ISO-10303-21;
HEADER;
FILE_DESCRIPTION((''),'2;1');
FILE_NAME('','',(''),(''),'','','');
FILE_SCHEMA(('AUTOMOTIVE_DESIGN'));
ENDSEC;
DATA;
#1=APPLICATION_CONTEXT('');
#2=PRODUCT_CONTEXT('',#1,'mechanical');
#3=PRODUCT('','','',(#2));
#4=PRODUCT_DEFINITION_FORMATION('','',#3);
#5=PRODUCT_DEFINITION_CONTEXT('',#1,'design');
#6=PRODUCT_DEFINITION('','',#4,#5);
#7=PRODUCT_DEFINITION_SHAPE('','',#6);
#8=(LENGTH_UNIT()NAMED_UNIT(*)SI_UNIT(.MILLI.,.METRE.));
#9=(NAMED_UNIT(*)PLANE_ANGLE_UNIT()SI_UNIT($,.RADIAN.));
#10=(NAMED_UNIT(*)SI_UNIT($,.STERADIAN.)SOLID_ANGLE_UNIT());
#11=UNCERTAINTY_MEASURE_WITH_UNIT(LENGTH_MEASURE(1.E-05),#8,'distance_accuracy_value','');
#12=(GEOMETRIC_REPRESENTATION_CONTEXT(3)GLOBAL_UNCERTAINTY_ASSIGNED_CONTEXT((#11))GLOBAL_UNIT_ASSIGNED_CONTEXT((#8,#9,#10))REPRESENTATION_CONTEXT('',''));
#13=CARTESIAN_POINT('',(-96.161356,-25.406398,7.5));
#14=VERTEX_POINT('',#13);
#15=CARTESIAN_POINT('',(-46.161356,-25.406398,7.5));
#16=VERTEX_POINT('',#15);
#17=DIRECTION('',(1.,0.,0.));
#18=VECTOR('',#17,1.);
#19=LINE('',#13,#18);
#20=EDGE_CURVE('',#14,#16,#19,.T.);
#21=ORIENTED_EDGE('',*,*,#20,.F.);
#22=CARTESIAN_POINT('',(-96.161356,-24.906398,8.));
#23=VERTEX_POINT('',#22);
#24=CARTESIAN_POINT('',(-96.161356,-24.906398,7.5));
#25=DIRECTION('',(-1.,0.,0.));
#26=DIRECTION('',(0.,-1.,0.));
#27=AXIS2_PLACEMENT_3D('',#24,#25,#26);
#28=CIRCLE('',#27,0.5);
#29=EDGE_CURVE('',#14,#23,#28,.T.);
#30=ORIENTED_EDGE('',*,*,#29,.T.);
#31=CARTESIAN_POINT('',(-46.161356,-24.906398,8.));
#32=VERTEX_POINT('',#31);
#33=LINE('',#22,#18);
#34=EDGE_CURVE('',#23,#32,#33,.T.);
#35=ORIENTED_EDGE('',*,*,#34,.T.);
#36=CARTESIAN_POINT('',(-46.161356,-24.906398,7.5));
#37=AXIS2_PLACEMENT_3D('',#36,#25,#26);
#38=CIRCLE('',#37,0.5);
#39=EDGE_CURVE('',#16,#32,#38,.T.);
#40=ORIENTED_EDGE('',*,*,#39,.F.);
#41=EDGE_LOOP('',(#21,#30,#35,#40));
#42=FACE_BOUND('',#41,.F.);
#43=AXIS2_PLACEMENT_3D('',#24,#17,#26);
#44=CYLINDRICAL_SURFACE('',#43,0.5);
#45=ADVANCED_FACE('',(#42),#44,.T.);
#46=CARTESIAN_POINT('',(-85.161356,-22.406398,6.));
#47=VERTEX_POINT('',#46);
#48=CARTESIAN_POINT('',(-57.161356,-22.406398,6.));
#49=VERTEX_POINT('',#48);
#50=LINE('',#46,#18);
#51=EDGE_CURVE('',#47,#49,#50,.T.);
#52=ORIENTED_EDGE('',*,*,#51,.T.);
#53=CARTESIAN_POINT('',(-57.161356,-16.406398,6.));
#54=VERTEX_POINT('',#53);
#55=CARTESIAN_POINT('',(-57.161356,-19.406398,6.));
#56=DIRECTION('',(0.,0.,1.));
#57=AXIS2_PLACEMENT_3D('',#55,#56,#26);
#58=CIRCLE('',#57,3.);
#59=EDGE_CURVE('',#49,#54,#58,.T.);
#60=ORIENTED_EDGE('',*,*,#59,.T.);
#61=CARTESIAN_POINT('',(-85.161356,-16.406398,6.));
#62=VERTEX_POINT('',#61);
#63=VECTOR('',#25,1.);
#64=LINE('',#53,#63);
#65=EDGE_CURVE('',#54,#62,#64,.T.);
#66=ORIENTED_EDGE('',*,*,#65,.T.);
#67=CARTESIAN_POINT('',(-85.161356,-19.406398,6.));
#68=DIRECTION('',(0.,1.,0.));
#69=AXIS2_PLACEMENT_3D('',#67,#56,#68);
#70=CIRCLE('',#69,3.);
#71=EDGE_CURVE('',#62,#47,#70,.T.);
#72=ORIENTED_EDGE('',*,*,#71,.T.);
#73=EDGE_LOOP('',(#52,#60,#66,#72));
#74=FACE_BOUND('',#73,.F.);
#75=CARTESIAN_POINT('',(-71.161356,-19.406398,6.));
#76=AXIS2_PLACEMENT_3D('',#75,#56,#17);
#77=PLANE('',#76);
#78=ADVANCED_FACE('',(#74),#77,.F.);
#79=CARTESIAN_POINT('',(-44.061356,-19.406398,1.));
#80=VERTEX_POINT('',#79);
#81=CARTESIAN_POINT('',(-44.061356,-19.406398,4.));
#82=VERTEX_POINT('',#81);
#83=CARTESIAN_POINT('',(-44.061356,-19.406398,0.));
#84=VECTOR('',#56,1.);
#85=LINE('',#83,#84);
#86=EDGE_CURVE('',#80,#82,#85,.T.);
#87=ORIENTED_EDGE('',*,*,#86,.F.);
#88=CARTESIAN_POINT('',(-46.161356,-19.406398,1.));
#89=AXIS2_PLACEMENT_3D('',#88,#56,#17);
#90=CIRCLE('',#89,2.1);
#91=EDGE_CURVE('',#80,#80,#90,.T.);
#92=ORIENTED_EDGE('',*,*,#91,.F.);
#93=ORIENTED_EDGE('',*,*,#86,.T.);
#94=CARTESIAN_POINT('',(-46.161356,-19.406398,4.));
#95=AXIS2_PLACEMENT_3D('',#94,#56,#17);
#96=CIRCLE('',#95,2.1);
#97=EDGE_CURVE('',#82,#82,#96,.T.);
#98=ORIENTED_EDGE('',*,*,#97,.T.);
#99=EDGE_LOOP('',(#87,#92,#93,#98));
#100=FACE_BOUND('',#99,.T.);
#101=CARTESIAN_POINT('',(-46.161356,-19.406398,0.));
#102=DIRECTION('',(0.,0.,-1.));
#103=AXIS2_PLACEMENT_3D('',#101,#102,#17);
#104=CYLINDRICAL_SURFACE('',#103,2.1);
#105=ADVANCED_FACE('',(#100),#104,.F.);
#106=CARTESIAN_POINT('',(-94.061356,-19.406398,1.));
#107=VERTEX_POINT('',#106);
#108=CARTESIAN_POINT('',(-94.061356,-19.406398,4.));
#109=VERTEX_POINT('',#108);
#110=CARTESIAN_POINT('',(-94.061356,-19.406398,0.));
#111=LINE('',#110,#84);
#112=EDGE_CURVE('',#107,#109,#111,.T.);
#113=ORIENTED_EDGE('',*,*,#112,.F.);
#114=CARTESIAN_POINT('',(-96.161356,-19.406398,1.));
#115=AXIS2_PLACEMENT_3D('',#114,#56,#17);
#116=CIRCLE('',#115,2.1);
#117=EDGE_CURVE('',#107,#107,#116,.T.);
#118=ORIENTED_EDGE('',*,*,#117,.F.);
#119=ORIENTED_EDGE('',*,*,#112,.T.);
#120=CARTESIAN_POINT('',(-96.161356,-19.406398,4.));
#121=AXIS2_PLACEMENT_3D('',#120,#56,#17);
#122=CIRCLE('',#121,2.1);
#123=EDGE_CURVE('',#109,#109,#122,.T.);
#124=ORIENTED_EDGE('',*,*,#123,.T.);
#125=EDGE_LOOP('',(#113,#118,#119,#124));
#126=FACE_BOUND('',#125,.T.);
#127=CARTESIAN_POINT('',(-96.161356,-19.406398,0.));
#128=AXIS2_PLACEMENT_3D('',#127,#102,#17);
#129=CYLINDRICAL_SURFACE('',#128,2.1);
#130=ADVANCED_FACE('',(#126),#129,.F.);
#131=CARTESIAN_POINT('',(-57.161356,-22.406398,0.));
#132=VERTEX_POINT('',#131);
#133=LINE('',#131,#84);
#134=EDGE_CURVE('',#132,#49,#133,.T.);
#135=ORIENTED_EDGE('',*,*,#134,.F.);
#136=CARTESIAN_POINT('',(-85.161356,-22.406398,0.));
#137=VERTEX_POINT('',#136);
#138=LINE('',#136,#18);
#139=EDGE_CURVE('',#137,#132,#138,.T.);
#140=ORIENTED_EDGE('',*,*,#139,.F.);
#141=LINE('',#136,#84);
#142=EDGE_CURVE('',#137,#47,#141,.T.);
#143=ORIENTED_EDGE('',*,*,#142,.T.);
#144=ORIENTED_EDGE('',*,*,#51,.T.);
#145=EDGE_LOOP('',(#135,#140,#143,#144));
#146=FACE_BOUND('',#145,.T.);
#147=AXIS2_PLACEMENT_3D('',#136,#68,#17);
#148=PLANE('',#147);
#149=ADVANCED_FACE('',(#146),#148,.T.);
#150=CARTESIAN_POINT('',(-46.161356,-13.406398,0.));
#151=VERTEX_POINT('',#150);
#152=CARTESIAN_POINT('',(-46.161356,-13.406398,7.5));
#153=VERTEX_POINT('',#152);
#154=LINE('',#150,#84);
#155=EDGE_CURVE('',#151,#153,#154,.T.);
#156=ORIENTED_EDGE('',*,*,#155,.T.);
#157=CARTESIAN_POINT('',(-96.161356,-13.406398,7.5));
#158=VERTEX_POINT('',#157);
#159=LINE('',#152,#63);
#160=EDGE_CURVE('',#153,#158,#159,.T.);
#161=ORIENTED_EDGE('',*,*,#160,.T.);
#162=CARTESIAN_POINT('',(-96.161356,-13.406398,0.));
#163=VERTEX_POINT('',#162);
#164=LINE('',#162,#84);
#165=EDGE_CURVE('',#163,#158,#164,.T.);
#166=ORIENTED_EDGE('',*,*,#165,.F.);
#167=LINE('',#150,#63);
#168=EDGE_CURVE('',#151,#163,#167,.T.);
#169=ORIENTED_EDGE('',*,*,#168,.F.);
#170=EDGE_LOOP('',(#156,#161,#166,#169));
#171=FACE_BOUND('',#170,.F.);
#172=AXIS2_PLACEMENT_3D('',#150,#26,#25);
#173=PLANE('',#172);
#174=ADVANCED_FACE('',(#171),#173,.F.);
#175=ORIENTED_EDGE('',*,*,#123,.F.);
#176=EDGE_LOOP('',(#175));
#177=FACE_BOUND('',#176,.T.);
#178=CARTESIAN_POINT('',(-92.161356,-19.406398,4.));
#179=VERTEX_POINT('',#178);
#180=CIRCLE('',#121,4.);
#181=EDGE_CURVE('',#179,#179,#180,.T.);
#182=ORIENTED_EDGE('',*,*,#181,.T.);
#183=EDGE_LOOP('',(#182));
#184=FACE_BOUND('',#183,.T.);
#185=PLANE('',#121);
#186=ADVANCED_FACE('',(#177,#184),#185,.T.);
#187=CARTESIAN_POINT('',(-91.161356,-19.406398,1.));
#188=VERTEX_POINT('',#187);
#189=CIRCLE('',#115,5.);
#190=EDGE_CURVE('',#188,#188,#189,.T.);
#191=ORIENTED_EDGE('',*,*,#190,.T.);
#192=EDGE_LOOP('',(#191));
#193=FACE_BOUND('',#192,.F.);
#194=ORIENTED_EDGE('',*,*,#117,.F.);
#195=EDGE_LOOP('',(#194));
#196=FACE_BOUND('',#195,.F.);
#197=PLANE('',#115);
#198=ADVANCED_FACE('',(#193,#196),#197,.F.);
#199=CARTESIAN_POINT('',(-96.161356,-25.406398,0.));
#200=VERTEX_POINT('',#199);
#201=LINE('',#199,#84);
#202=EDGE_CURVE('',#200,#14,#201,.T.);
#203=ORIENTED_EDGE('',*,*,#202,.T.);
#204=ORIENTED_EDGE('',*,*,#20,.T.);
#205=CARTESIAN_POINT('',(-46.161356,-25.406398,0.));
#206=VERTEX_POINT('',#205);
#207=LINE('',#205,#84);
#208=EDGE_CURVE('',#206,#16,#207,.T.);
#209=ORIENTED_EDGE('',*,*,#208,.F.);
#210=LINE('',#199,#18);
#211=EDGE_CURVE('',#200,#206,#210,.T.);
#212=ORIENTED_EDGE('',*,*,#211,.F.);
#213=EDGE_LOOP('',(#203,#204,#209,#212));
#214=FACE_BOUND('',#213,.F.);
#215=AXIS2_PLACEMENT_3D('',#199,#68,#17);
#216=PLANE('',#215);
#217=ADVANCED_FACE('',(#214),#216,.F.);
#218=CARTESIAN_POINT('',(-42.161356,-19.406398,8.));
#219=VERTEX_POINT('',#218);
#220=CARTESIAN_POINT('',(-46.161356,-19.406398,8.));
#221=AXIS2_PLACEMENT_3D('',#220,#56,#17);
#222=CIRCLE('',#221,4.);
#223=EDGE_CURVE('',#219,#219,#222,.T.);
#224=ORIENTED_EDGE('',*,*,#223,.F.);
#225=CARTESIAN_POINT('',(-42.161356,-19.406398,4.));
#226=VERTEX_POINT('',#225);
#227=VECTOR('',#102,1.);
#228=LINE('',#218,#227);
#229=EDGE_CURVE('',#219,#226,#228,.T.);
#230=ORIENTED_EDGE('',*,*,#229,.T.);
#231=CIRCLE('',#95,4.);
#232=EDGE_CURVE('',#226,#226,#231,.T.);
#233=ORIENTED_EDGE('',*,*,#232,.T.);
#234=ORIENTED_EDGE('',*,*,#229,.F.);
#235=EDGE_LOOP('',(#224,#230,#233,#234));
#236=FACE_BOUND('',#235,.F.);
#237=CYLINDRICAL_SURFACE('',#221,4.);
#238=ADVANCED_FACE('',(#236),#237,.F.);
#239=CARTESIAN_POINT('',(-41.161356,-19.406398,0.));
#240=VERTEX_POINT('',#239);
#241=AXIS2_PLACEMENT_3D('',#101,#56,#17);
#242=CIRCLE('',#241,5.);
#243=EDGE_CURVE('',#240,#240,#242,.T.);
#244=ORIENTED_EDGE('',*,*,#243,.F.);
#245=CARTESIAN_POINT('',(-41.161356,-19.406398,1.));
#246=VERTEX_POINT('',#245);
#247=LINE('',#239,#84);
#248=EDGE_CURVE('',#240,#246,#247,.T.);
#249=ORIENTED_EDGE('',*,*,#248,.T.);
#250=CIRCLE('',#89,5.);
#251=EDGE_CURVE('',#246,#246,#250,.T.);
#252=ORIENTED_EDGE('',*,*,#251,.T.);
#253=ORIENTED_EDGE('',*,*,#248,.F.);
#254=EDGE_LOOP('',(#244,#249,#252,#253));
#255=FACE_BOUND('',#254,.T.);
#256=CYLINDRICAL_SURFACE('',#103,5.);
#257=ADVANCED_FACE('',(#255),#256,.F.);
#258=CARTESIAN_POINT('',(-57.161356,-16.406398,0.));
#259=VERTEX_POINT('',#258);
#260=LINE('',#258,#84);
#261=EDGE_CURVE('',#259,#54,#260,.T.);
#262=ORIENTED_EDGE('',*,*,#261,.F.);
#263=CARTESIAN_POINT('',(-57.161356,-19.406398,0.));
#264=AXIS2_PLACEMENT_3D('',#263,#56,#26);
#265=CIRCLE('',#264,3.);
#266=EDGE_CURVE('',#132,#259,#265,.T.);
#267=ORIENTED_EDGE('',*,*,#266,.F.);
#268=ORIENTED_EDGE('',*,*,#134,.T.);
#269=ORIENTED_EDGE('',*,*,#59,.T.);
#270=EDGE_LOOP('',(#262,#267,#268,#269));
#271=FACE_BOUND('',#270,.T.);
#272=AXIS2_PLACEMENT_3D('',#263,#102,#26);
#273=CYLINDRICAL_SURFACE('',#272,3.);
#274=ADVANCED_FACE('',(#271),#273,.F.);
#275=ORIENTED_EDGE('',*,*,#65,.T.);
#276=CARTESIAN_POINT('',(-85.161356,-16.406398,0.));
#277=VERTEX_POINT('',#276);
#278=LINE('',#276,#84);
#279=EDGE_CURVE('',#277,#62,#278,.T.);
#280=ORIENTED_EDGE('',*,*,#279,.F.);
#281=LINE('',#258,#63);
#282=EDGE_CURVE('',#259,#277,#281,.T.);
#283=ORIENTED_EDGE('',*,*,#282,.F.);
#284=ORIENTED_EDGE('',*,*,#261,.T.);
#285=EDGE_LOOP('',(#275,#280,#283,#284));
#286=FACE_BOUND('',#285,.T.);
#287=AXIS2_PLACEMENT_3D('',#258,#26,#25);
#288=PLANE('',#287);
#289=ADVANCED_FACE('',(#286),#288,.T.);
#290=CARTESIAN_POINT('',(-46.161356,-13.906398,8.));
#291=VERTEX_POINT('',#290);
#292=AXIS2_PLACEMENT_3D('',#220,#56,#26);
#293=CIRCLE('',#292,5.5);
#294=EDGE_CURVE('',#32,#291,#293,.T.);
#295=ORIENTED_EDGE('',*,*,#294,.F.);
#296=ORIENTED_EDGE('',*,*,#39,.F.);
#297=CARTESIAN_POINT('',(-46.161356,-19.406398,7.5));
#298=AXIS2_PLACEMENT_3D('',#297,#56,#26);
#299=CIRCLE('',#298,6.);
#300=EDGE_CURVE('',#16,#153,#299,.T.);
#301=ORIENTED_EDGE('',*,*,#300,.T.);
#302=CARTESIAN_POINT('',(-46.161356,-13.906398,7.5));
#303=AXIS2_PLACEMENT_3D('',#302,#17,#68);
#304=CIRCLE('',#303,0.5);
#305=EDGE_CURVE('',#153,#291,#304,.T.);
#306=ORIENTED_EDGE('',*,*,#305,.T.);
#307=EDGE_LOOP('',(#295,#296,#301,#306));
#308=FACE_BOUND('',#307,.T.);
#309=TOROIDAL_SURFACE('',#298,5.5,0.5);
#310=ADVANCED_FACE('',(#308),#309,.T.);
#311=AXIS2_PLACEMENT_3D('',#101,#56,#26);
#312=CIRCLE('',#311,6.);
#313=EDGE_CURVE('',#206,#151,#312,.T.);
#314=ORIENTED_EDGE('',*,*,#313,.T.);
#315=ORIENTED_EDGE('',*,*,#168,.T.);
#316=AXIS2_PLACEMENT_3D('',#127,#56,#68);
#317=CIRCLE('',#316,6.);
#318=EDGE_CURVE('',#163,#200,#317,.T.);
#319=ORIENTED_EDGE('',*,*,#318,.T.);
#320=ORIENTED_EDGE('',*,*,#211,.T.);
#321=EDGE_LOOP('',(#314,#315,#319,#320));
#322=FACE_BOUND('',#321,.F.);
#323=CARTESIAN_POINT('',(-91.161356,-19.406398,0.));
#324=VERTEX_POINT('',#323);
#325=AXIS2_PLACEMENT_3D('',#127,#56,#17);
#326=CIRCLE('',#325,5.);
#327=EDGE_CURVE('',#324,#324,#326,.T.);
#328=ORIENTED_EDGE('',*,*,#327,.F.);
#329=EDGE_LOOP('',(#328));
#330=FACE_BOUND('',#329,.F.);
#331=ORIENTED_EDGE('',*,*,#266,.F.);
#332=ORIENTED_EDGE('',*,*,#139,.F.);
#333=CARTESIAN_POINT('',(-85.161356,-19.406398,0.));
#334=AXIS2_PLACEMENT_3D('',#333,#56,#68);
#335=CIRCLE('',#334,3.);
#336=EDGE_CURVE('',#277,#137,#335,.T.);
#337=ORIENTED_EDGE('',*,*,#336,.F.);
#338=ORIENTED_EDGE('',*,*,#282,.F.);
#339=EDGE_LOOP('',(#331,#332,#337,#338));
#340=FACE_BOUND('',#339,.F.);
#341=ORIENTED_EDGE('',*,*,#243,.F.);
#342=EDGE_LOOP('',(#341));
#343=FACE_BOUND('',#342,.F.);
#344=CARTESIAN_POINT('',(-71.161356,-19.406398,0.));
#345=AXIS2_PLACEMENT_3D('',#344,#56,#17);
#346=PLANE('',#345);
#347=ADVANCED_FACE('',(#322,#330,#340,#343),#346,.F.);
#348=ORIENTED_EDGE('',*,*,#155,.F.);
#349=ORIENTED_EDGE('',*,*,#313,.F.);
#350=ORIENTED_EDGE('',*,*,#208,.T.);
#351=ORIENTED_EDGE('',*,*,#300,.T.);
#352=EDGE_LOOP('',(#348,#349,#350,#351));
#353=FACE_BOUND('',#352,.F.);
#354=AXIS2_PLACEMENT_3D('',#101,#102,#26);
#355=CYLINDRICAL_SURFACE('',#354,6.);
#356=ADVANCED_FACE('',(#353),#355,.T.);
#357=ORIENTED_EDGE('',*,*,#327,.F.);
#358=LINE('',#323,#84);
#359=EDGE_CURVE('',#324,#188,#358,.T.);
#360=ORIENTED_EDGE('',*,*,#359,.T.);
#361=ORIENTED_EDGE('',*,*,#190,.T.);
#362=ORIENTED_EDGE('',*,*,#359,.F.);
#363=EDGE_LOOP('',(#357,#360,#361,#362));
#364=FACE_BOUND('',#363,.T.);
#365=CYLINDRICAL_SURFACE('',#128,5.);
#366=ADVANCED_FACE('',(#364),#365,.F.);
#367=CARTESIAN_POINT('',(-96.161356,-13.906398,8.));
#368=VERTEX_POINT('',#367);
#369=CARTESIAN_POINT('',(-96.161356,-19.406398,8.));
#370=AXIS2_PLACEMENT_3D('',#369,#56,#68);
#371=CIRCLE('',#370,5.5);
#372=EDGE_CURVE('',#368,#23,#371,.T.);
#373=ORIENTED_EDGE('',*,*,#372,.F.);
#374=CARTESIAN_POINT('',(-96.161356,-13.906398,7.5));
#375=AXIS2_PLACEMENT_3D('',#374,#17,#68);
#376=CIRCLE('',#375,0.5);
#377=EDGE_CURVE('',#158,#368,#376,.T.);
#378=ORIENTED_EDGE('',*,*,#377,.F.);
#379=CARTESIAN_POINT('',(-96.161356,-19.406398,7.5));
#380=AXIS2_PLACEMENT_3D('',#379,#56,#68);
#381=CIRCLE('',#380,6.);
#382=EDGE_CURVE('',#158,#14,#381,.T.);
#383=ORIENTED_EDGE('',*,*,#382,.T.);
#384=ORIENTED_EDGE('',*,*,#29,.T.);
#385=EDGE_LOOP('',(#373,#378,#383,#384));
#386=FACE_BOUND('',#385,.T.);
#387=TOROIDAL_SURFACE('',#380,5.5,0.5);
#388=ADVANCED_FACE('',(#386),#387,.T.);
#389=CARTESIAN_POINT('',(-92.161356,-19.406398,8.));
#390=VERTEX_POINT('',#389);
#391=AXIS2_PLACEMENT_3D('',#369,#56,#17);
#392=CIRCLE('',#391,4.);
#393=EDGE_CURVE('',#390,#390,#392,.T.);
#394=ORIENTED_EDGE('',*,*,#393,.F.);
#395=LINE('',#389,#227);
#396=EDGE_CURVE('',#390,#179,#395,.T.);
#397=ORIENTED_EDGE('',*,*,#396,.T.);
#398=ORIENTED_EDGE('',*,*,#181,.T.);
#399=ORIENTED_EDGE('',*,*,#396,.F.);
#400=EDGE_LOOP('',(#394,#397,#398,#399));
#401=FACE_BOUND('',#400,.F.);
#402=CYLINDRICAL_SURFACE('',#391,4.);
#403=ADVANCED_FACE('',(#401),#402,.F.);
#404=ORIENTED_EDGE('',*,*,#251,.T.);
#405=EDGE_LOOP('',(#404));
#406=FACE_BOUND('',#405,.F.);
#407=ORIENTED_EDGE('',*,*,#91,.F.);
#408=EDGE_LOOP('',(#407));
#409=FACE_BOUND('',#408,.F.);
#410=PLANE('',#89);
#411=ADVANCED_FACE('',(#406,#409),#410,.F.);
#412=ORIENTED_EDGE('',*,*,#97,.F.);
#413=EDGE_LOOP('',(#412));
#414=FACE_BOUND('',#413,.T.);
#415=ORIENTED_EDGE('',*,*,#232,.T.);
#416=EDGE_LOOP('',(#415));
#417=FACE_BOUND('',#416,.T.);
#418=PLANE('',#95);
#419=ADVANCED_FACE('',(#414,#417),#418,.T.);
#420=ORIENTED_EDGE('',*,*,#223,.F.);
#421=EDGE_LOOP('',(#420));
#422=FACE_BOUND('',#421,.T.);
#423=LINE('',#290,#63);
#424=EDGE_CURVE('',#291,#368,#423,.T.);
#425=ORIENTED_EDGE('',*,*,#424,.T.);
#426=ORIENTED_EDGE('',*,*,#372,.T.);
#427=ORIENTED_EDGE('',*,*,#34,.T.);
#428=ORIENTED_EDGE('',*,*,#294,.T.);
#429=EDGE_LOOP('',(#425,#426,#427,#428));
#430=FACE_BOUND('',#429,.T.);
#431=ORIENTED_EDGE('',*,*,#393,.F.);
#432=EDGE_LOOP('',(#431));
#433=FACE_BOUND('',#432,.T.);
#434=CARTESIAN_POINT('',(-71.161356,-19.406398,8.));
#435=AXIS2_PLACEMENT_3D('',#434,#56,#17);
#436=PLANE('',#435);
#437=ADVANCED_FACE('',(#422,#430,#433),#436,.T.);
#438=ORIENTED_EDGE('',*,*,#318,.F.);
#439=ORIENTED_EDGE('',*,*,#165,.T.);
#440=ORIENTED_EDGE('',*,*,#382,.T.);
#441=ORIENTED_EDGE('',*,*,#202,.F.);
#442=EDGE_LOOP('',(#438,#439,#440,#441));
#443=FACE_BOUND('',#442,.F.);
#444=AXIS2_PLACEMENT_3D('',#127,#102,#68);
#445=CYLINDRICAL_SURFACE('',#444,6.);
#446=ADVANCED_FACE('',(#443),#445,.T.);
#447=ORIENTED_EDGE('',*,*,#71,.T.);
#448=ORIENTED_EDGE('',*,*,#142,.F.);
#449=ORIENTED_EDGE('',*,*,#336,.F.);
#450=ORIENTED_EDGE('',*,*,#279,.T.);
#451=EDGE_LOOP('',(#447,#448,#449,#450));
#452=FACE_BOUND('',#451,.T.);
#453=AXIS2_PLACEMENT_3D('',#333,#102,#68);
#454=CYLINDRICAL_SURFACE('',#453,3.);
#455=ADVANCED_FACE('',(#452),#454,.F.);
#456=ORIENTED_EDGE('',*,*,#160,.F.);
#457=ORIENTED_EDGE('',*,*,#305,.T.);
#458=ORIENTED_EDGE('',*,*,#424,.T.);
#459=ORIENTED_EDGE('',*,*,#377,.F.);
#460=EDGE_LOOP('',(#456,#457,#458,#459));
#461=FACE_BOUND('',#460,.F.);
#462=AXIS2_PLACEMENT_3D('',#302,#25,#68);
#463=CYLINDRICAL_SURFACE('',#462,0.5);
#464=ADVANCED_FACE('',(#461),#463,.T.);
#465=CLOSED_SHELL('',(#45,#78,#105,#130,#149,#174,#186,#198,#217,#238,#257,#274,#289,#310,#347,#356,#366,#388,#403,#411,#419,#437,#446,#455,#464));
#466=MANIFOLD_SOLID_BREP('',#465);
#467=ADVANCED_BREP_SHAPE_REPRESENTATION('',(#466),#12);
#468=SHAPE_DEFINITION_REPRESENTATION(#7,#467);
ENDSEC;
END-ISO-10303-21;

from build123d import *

# Parameters (mm, degrees)
F0_R     = 5
F0_R_2   = 4
F0_R_3   = 2.1
F1_DEPTH = 8
F2_DEPTH = 25
F3_R     = 4
F3_R_2   = 2.1
F4_DEPTH = 4
F5_DEPTH = 6
F6_DEPTH = 1
F7_R     = 0.5


with BuildPart() as f1:
    # F0 (on Top) → F1 (new body)
    with BuildSketch(Plane.XY):
        with BuildLine():
            ThreePointArc((-96.161356, -13.406398), (-102.161356, -19.406398), (-96.161356, -25.406398))
            Line((-96.161356, -25.406398), (-46.161356, -25.406398))
            ThreePointArc((-46.161356, -25.406398), (-40.161356, -19.406398), (-46.161356, -13.406398))
            Line((-46.161356, -13.406398), (-96.161356, -13.406398))
        make_face()
        with BuildLine():
            Line((-96.161356, -13.906398), (-46.161356, -13.906398))
            ThreePointArc((-46.161356, -13.906398), (-40.661356, -19.406398), (-46.161356, -24.906398))
            Line((-46.161356, -24.906398), (-96.161356, -24.906398))
            ThreePointArc((-96.161356, -24.906398), (-101.661356, -19.406398), (-96.161356, -13.906398))
        make_face(mode=Mode.SUBTRACT)
        with BuildLine():
            ThreePointArc((-46.161356, -24.906398), (-40.661356, -19.406398), (-46.161356, -13.906398))
            Line((-46.161356, -13.906398), (-96.161356, -13.906398))
            ThreePointArc((-96.161356, -13.906398), (-101.661356, -19.406398), (-96.161356, -24.906398))
            Line((-96.161356, -24.906398), (-46.161356, -24.906398))
        make_face()
        with Locations((-96.161356, -19.406398)):
            Circle(F0_R, mode=Mode.SUBTRACT)
        with BuildLine():
            ThreePointArc((-85.161356, -22.406398), (-88.161356, -19.406398), (-85.161356, -16.406398))
            Line((-85.161356, -16.406398), (-57.161356, -16.406398))
            ThreePointArc((-57.161356, -16.406398), (-54.161356, -19.406398), (-57.161356, -22.406398))
            Line((-57.161356, -22.406398), (-85.161356, -22.406398))
        make_face(mode=Mode.SUBTRACT)
        with Locations((-46.161356, -19.406398)):
            Circle(F0_R, mode=Mode.SUBTRACT)
        with Locations((-96.161356, -19.406398)):
            Circle(F0_R)
        with Locations((-96.161356, -19.406398)):
            Circle(F0_R_2, mode=Mode.SUBTRACT)
        with Locations((-96.161356, -19.406398)):
            Circle(F0_R_2)
        with Locations((-96.161356, -19.406398)):
            Circle(F0_R_3, mode=Mode.SUBTRACT)
        with Locations((-96.161356, -19.406398)):
            Circle(F0_R_3)
        with BuildLine():
            Line((-57.161356, -16.406398), (-85.161356, -16.406398))
            ThreePointArc((-85.161356, -16.406398), (-88.161356, -19.406398), (-85.161356, -22.406398))
            Line((-85.161356, -22.406398), (-57.161356, -22.406398))
            ThreePointArc((-57.161356, -22.406398), (-54.161356, -19.406398), (-57.161356, -16.406398))
        make_face()
        with Locations((-46.161356, -19.406398)):
            Circle(F0_R)
        with Locations((-46.161356, -19.406398)):
            Circle(F0_R_2, mode=Mode.SUBTRACT)
        with Locations((-46.161356, -19.406398)):
            Circle(F0_R_2)
        with Locations((-46.161356, -19.406398)):
            Circle(F0_R_3, mode=Mode.SUBTRACT)
        with Locations((-46.161356, -19.406398)):
            Circle(F0_R_3)
    extrude(amount=F1_DEPTH)

    # F0 (on Top) → F2 (cut)
    with BuildSketch(Plane.XY):
        with Locations((-96.161356, -19.406398)):
            Circle(F0_R_3)
        with Locations((-46.161356, -19.406398)):
            Circle(F0_R_3)
    extrude(amount=F2_DEPTH, mode=Mode.SUBTRACT)

    # F3 (on face) → F4 (cut)
    with BuildSketch(Plane.XY.offset(8)):
        with Locations((-96.161356, -19.406398)):
            Circle(F3_R)
        with Locations((-96.161356, -19.406398)):
            Circle(F3_R_2, mode=Mode.SUBTRACT)
        with Locations((-46.161356, -19.406398)):
            Circle(F3_R)
        with Locations((-46.161356, -19.406398)):
            Circle(F3_R_2, mode=Mode.SUBTRACT)
    extrude(amount=-F4_DEPTH, mode=Mode.SUBTRACT)

    # F0 (on Top) → F5 (cut)
    with BuildSketch(Plane.XY):
        with BuildLine():
            Line((-57.161356, -16.406398), (-85.161356, -16.406398))
            ThreePointArc((-85.161356, -16.406398), (-88.161356, -19.406398), (-85.161356, -22.406398))
            Line((-85.161356, -22.406398), (-57.161356, -22.406398))
            ThreePointArc((-57.161356, -22.406398), (-54.161356, -19.406398), (-57.161356, -16.406398))
        make_face()
    extrude(amount=F5_DEPTH, mode=Mode.SUBTRACT)

    # F0 (on Top) → F6 (cut)
    with BuildSketch(Plane.XY):
        with Locations((-96.161356, -19.406398)):
            Circle(F0_R)
        with Locations((-96.161356, -19.406398)):
            Circle(F0_R_2, mode=Mode.SUBTRACT)
        with Locations((-96.161356, -19.406398)):
            Circle(F0_R_2)
        with Locations((-96.161356, -19.406398)):
            Circle(F0_R_3, mode=Mode.SUBTRACT)
        with Locations((-46.161356, -19.406398)):
            Circle(F0_R)
        with Locations((-46.161356, -19.406398)):
            Circle(F0_R_2, mode=Mode.SUBTRACT)
        with Locations((-46.161356, -19.406398)):
            Circle(F0_R_2)
        with Locations((-46.161356, -19.406398)):
            Circle(F0_R_3, mode=Mode.SUBTRACT)
    extrude(amount=F6_DEPTH, mode=Mode.SUBTRACT)

    # F7
    f7_edges = [f1.edges().sort_by_distance(p)[0] for p in [
        (-71.161356, -25.406398, 8),
    ]]
    fillet(f7_edges, radius=F7_R)


solid = f1.part
